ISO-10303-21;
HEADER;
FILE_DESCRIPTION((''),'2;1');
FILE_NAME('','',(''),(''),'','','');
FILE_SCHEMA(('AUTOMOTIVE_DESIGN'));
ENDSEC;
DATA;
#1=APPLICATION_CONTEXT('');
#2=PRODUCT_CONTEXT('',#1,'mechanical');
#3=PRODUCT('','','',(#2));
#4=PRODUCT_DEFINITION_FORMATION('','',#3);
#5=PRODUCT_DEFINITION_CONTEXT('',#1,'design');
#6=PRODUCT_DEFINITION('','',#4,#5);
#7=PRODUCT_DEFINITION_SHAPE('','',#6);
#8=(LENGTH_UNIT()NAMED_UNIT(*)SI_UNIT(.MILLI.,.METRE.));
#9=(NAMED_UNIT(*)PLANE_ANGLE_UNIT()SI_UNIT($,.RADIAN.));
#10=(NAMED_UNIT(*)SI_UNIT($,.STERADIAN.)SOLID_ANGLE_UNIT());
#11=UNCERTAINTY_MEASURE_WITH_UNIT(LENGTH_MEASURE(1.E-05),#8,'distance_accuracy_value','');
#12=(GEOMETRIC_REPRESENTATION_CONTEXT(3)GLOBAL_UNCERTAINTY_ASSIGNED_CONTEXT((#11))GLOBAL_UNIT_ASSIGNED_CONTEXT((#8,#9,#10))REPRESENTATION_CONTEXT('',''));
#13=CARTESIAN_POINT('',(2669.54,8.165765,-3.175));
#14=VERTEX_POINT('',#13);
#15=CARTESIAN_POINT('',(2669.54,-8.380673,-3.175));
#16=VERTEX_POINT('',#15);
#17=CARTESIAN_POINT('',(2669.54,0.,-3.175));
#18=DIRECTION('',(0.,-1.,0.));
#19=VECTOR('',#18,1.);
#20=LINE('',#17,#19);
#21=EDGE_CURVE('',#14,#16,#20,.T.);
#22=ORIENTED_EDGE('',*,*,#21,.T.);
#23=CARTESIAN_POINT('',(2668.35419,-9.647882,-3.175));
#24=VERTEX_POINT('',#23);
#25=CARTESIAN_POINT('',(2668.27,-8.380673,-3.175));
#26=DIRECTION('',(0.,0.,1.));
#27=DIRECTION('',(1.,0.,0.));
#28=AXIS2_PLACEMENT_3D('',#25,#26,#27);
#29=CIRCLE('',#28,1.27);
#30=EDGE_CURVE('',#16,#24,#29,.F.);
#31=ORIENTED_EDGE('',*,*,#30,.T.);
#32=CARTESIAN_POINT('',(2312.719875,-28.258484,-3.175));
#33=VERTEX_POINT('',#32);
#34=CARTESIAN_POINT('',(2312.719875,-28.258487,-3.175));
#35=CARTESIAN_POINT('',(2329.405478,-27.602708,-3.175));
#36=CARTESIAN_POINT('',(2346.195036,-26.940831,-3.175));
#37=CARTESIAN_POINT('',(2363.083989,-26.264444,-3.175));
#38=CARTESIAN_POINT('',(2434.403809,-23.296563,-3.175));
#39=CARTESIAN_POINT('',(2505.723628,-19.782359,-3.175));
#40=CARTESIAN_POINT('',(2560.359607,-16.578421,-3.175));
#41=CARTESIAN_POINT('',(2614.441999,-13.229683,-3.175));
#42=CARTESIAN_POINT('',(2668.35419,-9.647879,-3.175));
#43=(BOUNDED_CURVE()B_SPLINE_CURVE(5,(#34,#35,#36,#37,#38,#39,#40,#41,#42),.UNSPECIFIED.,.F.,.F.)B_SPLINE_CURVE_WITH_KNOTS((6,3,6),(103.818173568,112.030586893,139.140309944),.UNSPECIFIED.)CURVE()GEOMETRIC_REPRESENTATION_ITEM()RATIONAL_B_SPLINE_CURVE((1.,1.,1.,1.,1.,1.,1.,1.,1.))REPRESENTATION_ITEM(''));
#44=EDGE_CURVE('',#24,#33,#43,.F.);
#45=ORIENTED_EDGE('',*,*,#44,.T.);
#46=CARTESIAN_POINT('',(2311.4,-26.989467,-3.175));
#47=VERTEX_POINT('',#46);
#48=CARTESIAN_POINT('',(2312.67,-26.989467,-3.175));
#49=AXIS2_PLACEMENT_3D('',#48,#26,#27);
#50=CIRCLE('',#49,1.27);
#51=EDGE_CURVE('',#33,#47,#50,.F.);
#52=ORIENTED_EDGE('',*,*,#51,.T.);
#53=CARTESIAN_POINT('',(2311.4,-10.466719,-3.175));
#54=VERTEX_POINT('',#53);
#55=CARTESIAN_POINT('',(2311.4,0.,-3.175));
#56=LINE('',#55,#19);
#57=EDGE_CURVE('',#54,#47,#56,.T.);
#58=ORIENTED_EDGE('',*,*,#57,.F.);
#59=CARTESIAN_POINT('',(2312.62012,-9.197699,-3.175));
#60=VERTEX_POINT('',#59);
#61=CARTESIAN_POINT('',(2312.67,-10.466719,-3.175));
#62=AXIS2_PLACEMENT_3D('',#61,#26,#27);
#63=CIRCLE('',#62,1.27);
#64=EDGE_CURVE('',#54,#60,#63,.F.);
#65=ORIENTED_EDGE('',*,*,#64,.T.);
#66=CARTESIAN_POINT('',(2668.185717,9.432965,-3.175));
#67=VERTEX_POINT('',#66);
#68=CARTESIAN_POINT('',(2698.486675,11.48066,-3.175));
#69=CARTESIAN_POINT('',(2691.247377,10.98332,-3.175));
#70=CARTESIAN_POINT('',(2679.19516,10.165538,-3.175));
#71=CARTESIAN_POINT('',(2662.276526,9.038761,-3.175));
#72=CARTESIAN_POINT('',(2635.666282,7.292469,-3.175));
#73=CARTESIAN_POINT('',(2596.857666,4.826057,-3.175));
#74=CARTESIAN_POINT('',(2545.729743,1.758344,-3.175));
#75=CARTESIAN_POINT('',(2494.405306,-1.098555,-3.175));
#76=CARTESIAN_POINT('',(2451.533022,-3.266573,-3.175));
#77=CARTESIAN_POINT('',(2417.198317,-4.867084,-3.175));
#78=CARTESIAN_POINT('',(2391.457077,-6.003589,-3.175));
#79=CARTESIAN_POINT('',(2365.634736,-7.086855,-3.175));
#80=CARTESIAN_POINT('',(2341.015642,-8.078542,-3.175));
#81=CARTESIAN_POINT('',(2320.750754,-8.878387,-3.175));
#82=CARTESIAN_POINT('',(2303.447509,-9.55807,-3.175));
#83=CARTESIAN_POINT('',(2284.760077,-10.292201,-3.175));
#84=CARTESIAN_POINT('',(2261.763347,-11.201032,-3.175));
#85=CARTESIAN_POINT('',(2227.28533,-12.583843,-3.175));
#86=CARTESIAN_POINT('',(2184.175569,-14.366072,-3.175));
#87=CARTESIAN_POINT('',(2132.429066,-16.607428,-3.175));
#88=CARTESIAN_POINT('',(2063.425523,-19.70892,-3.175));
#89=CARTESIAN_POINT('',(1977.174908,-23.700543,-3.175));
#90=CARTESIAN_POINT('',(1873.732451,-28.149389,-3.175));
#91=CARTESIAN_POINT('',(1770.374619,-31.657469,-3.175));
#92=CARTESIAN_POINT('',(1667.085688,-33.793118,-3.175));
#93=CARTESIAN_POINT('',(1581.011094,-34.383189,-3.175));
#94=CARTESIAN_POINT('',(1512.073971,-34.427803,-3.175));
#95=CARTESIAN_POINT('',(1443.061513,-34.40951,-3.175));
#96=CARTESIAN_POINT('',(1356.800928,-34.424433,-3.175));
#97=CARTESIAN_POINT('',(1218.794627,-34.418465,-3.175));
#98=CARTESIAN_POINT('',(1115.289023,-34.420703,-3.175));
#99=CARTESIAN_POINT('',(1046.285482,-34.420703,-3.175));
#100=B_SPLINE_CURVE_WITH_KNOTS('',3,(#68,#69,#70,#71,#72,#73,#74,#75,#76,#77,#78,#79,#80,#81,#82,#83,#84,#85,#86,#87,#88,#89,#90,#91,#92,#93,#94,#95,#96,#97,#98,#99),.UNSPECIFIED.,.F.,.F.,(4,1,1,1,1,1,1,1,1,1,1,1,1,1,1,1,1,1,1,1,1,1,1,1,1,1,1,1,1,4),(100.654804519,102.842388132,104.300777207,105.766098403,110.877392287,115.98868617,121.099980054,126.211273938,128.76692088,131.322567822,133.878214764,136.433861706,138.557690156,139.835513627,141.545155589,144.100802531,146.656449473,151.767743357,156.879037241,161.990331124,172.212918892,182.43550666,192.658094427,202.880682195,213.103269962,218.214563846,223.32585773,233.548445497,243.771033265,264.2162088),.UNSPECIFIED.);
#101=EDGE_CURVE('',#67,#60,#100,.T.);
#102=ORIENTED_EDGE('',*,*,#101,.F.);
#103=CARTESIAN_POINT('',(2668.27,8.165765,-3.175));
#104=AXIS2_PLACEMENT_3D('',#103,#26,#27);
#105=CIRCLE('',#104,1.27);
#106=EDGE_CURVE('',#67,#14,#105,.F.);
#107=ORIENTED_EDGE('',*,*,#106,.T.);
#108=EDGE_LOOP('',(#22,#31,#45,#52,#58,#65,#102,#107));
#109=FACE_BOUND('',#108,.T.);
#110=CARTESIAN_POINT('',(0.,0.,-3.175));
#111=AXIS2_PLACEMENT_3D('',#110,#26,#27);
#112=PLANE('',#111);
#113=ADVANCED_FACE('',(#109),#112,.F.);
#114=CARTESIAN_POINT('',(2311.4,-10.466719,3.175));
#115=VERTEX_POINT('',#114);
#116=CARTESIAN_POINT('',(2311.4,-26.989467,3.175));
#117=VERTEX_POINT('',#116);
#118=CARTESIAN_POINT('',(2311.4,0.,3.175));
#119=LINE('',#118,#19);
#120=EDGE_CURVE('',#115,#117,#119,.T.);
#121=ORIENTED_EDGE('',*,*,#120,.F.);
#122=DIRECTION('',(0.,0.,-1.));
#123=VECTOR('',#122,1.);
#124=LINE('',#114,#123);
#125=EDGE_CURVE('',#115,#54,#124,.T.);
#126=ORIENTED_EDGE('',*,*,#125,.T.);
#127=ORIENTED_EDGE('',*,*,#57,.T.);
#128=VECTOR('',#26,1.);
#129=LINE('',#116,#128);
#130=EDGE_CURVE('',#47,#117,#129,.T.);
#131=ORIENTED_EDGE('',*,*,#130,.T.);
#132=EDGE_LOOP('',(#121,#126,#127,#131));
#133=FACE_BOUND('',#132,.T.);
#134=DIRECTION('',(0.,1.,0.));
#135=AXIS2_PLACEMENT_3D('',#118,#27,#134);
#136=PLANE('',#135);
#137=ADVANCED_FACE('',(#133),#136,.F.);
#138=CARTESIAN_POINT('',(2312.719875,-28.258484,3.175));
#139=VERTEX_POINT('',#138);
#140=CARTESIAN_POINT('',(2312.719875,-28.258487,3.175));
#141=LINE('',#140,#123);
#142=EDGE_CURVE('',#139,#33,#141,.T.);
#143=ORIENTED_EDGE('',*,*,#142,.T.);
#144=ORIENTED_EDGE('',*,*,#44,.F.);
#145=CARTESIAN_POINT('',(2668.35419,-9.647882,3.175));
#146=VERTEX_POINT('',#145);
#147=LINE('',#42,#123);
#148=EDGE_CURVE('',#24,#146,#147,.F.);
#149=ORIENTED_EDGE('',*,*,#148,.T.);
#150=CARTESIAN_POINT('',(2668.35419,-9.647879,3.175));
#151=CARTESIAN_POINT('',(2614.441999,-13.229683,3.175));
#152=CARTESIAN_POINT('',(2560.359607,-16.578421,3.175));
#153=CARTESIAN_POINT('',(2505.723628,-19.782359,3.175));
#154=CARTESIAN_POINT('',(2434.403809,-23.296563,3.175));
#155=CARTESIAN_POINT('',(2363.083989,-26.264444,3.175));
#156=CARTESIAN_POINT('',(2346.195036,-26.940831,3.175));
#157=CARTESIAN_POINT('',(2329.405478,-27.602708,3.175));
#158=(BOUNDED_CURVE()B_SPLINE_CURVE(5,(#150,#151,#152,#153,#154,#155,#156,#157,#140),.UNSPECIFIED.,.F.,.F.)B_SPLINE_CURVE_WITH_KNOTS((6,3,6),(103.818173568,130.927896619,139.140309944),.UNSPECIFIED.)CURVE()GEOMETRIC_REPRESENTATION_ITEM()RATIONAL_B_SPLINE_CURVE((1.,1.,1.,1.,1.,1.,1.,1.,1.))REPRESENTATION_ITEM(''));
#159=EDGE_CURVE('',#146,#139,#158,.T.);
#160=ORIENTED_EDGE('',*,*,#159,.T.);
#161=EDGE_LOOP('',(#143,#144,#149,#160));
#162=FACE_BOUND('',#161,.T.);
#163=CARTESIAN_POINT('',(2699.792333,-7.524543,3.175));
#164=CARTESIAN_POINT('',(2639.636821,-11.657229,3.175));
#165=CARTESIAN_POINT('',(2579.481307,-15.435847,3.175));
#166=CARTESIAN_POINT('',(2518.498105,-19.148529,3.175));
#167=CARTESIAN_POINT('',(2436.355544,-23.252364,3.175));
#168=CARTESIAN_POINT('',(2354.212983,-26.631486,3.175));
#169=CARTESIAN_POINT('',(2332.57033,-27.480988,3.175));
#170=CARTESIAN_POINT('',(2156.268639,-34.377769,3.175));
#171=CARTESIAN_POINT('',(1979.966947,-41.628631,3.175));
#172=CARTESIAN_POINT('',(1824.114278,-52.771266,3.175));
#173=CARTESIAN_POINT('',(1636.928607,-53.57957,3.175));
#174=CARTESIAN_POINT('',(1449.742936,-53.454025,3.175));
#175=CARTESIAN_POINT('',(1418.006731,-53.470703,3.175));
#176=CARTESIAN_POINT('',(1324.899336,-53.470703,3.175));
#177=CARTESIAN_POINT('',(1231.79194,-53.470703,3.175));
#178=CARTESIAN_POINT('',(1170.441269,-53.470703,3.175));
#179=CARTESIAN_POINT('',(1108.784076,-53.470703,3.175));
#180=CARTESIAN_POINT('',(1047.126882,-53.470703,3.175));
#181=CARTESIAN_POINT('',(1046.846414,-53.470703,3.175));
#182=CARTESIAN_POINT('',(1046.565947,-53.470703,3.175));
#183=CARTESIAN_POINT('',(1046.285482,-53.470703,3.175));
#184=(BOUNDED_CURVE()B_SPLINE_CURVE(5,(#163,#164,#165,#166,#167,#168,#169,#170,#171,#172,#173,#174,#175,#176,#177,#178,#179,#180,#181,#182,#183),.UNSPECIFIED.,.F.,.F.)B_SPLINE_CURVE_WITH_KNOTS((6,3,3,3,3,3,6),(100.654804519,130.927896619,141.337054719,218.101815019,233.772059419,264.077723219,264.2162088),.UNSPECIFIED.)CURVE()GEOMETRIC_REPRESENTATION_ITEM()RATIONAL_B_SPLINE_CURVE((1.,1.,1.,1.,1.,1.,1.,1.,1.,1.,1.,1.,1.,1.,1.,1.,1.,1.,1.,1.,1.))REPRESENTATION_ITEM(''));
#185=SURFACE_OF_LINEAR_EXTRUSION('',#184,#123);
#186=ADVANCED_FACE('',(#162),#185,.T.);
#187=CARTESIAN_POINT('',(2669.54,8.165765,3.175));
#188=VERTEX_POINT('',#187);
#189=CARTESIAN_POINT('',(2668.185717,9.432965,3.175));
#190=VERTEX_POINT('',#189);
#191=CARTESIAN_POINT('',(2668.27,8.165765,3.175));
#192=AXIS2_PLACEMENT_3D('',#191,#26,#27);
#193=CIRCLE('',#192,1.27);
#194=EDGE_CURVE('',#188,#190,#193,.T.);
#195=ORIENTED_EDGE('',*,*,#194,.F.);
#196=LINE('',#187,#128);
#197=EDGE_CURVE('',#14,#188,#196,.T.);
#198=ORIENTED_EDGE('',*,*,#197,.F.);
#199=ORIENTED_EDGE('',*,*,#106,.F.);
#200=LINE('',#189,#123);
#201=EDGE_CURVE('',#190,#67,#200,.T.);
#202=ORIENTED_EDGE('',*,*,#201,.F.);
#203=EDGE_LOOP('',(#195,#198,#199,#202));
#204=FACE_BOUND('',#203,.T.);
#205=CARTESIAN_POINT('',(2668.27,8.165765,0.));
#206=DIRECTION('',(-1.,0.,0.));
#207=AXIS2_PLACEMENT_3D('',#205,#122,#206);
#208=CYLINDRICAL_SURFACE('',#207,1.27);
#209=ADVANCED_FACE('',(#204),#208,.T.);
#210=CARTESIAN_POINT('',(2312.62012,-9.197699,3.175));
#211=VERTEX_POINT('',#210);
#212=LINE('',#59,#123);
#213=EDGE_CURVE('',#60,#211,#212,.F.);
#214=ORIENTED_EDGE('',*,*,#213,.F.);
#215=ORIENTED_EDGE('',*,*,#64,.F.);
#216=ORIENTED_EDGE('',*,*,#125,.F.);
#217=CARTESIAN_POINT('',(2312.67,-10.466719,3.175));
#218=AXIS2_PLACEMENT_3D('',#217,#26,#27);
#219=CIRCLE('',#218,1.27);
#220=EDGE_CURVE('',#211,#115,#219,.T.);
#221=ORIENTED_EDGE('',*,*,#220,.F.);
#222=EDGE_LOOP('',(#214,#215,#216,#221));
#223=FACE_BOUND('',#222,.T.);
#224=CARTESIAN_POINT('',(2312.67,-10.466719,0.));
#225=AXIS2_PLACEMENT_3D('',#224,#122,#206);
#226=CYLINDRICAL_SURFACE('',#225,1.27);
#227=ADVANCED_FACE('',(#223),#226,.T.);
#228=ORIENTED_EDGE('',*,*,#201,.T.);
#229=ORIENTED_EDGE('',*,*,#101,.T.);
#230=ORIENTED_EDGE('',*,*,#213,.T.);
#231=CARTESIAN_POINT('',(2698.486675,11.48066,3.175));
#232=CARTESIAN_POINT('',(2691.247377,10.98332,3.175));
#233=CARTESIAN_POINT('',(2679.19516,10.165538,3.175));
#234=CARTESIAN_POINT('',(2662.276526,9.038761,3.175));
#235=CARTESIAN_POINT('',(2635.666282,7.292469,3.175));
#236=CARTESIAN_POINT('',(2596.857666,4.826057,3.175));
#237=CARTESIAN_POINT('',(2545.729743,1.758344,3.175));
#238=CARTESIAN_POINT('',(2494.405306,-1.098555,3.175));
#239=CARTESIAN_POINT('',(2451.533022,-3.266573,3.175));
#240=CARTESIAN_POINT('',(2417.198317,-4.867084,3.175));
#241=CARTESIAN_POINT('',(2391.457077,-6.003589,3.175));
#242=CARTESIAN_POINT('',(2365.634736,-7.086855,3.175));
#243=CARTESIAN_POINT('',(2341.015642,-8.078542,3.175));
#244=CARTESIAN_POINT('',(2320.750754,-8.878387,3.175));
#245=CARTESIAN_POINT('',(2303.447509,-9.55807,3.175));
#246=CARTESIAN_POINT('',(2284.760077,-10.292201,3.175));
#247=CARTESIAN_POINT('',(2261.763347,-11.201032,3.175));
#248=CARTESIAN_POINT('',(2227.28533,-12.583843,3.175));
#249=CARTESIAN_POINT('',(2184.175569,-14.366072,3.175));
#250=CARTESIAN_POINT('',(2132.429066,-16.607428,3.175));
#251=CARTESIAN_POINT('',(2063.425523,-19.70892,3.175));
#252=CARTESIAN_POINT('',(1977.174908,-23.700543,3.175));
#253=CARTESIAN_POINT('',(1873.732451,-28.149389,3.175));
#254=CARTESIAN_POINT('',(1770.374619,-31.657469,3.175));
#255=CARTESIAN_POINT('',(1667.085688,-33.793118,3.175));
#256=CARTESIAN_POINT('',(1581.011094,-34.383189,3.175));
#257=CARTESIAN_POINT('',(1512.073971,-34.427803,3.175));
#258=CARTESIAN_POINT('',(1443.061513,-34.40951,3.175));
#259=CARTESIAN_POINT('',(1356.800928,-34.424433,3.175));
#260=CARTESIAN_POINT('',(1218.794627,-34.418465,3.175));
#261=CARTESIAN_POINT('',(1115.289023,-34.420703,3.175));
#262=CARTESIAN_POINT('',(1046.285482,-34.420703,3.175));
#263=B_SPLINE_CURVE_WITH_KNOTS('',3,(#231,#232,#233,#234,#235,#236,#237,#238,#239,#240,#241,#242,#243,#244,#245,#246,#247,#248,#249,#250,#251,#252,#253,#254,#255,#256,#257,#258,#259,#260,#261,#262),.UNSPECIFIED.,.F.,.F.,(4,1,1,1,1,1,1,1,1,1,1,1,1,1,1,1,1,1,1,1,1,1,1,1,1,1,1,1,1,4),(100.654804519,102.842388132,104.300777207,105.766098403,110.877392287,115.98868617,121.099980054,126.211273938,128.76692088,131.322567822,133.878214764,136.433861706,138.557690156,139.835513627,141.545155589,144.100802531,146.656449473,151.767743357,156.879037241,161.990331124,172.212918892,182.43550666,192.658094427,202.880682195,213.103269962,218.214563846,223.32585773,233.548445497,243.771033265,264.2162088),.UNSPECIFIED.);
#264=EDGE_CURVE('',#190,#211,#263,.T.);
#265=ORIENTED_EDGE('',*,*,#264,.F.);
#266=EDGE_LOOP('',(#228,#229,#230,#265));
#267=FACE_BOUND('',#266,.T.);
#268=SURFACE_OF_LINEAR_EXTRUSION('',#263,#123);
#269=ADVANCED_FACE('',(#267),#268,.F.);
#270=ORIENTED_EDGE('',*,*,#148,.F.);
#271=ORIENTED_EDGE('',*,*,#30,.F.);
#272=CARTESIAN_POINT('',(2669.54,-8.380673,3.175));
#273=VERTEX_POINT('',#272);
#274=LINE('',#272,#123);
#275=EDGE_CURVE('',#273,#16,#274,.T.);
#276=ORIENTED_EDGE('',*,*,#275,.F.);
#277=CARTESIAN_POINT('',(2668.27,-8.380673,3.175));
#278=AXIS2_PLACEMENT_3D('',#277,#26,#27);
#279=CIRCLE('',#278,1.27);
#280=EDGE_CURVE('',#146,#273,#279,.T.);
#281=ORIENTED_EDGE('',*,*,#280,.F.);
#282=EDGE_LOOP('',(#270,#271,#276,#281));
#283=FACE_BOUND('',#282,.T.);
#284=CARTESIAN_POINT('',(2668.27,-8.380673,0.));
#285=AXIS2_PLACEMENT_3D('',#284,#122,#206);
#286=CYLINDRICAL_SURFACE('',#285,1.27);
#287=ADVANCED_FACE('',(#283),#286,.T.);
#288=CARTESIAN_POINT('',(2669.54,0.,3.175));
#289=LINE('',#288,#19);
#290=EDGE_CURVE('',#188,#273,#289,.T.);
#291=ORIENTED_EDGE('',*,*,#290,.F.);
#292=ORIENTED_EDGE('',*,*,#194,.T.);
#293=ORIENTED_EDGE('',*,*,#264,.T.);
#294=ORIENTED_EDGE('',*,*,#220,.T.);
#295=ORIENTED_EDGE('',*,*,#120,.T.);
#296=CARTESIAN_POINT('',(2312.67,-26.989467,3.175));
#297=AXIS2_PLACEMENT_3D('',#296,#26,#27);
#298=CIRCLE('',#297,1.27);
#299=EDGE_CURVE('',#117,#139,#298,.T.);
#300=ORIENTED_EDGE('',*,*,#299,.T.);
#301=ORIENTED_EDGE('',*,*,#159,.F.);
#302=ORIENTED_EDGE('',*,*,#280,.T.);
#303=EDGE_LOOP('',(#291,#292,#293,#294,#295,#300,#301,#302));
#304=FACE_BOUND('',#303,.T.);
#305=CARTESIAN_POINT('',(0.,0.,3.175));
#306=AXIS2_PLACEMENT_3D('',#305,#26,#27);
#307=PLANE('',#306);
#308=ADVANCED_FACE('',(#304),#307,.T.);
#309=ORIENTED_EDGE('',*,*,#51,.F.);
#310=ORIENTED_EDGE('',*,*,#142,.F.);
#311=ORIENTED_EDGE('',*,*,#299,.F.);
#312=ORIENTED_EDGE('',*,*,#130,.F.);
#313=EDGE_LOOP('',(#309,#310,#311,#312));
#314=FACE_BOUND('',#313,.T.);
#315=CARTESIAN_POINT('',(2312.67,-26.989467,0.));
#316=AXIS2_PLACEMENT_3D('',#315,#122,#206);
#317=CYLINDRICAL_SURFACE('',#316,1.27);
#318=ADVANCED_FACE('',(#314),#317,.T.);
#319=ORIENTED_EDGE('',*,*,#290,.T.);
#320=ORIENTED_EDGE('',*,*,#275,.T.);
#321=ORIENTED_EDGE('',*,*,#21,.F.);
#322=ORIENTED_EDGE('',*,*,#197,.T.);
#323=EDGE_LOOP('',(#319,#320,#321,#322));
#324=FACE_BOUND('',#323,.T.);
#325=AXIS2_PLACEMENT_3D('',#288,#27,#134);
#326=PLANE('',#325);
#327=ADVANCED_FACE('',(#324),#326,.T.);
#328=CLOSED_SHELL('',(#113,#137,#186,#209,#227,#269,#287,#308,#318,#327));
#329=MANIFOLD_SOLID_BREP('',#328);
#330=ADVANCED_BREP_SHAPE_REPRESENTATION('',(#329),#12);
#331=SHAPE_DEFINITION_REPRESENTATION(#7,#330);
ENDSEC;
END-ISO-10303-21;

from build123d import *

# Parameters (mm, degrees)
BOSS_EXTRUDE1_DEPTH = 3.175
FILLET1_R           = 1.27


with BuildPart() as part:
    # Sketch1 → Boss-Extrude1 (new, symmetric)
    with BuildSketch(Plane.XY):
        with BuildLine():
            Line((2311.4, -9.245652974), (2311.4, -28.310356345))
            add(Edge.make_bspline(
                [(2669.54, -9.569049356), (2615.393603553, -13.17073937), (2561.080658619, -16.536108081), (2506.205230446, -19.758621957), (2434.382223772, -23.29947809), (2362.559217098, -26.286274493), (2345.393069943, -26.972929947), (2328.342945407, -27.644579597), (2311.4, -28.310356345)],
                knots=[103.698913506, 103.698913506, 103.698913506, 103.698913506, 103.698913506, 103.698913506, 130.927896619, 130.927896619, 130.927896619, 139.270260279, 139.270260279, 139.270260279, 139.270260279, 139.270260279, 139.270260279], degree=5))
            Line((2669.54, -9.569049356), (2669.54, 9.5231025))
            add(Edge.make_bspline(
                [(2669.54, 9.5231025), (2667.126494524, 9.36235515), (2659.861586685, 8.880281494), (2635.666282302, 7.292469146), (2596.857665529, 4.826056853), (2545.729743039, 1.758344093), (2494.405305707, -1.098555235), (2451.533022267, -3.266573297), (2417.198316756, -4.86708361), (2391.457076919, -6.003589235), (2365.634736307, -7.086854581), (2341.015642019, -8.078542398), (2322.924133841, -8.79260451), (2313.562932275, -9.160652062), (2311.4, -9.245652974)],
                knots=[103.571582669, 103.571582669, 103.571582669, 103.571582669, 104.300777207, 105.766098403, 110.877392287, 115.98868617, 121.099980054, 126.211273938, 128.76692088, 131.322567822, 133.878214764, 136.433861706, 138.557690156, 139.196601892, 139.196601892, 139.196601892, 139.196601892], degree=3))
        make_face()
    extrude(amount=BOSS_EXTRUDE1_DEPTH, both=True)

    # Fillet1
    fillet1_edges = [part.edges().sort_by_distance(p)[0] for p in [
        (2669.54, 9.5231025, -1.5875),
        (2669.54, -9.569049356, -1.5875),
        (2311.4, -9.245652974, -1.5875),
        (2311.4, -28.310356345, -1.5875),
    ]]
    fillet(fillet1_edges, radius=FILLET1_R)


solid = part.part
